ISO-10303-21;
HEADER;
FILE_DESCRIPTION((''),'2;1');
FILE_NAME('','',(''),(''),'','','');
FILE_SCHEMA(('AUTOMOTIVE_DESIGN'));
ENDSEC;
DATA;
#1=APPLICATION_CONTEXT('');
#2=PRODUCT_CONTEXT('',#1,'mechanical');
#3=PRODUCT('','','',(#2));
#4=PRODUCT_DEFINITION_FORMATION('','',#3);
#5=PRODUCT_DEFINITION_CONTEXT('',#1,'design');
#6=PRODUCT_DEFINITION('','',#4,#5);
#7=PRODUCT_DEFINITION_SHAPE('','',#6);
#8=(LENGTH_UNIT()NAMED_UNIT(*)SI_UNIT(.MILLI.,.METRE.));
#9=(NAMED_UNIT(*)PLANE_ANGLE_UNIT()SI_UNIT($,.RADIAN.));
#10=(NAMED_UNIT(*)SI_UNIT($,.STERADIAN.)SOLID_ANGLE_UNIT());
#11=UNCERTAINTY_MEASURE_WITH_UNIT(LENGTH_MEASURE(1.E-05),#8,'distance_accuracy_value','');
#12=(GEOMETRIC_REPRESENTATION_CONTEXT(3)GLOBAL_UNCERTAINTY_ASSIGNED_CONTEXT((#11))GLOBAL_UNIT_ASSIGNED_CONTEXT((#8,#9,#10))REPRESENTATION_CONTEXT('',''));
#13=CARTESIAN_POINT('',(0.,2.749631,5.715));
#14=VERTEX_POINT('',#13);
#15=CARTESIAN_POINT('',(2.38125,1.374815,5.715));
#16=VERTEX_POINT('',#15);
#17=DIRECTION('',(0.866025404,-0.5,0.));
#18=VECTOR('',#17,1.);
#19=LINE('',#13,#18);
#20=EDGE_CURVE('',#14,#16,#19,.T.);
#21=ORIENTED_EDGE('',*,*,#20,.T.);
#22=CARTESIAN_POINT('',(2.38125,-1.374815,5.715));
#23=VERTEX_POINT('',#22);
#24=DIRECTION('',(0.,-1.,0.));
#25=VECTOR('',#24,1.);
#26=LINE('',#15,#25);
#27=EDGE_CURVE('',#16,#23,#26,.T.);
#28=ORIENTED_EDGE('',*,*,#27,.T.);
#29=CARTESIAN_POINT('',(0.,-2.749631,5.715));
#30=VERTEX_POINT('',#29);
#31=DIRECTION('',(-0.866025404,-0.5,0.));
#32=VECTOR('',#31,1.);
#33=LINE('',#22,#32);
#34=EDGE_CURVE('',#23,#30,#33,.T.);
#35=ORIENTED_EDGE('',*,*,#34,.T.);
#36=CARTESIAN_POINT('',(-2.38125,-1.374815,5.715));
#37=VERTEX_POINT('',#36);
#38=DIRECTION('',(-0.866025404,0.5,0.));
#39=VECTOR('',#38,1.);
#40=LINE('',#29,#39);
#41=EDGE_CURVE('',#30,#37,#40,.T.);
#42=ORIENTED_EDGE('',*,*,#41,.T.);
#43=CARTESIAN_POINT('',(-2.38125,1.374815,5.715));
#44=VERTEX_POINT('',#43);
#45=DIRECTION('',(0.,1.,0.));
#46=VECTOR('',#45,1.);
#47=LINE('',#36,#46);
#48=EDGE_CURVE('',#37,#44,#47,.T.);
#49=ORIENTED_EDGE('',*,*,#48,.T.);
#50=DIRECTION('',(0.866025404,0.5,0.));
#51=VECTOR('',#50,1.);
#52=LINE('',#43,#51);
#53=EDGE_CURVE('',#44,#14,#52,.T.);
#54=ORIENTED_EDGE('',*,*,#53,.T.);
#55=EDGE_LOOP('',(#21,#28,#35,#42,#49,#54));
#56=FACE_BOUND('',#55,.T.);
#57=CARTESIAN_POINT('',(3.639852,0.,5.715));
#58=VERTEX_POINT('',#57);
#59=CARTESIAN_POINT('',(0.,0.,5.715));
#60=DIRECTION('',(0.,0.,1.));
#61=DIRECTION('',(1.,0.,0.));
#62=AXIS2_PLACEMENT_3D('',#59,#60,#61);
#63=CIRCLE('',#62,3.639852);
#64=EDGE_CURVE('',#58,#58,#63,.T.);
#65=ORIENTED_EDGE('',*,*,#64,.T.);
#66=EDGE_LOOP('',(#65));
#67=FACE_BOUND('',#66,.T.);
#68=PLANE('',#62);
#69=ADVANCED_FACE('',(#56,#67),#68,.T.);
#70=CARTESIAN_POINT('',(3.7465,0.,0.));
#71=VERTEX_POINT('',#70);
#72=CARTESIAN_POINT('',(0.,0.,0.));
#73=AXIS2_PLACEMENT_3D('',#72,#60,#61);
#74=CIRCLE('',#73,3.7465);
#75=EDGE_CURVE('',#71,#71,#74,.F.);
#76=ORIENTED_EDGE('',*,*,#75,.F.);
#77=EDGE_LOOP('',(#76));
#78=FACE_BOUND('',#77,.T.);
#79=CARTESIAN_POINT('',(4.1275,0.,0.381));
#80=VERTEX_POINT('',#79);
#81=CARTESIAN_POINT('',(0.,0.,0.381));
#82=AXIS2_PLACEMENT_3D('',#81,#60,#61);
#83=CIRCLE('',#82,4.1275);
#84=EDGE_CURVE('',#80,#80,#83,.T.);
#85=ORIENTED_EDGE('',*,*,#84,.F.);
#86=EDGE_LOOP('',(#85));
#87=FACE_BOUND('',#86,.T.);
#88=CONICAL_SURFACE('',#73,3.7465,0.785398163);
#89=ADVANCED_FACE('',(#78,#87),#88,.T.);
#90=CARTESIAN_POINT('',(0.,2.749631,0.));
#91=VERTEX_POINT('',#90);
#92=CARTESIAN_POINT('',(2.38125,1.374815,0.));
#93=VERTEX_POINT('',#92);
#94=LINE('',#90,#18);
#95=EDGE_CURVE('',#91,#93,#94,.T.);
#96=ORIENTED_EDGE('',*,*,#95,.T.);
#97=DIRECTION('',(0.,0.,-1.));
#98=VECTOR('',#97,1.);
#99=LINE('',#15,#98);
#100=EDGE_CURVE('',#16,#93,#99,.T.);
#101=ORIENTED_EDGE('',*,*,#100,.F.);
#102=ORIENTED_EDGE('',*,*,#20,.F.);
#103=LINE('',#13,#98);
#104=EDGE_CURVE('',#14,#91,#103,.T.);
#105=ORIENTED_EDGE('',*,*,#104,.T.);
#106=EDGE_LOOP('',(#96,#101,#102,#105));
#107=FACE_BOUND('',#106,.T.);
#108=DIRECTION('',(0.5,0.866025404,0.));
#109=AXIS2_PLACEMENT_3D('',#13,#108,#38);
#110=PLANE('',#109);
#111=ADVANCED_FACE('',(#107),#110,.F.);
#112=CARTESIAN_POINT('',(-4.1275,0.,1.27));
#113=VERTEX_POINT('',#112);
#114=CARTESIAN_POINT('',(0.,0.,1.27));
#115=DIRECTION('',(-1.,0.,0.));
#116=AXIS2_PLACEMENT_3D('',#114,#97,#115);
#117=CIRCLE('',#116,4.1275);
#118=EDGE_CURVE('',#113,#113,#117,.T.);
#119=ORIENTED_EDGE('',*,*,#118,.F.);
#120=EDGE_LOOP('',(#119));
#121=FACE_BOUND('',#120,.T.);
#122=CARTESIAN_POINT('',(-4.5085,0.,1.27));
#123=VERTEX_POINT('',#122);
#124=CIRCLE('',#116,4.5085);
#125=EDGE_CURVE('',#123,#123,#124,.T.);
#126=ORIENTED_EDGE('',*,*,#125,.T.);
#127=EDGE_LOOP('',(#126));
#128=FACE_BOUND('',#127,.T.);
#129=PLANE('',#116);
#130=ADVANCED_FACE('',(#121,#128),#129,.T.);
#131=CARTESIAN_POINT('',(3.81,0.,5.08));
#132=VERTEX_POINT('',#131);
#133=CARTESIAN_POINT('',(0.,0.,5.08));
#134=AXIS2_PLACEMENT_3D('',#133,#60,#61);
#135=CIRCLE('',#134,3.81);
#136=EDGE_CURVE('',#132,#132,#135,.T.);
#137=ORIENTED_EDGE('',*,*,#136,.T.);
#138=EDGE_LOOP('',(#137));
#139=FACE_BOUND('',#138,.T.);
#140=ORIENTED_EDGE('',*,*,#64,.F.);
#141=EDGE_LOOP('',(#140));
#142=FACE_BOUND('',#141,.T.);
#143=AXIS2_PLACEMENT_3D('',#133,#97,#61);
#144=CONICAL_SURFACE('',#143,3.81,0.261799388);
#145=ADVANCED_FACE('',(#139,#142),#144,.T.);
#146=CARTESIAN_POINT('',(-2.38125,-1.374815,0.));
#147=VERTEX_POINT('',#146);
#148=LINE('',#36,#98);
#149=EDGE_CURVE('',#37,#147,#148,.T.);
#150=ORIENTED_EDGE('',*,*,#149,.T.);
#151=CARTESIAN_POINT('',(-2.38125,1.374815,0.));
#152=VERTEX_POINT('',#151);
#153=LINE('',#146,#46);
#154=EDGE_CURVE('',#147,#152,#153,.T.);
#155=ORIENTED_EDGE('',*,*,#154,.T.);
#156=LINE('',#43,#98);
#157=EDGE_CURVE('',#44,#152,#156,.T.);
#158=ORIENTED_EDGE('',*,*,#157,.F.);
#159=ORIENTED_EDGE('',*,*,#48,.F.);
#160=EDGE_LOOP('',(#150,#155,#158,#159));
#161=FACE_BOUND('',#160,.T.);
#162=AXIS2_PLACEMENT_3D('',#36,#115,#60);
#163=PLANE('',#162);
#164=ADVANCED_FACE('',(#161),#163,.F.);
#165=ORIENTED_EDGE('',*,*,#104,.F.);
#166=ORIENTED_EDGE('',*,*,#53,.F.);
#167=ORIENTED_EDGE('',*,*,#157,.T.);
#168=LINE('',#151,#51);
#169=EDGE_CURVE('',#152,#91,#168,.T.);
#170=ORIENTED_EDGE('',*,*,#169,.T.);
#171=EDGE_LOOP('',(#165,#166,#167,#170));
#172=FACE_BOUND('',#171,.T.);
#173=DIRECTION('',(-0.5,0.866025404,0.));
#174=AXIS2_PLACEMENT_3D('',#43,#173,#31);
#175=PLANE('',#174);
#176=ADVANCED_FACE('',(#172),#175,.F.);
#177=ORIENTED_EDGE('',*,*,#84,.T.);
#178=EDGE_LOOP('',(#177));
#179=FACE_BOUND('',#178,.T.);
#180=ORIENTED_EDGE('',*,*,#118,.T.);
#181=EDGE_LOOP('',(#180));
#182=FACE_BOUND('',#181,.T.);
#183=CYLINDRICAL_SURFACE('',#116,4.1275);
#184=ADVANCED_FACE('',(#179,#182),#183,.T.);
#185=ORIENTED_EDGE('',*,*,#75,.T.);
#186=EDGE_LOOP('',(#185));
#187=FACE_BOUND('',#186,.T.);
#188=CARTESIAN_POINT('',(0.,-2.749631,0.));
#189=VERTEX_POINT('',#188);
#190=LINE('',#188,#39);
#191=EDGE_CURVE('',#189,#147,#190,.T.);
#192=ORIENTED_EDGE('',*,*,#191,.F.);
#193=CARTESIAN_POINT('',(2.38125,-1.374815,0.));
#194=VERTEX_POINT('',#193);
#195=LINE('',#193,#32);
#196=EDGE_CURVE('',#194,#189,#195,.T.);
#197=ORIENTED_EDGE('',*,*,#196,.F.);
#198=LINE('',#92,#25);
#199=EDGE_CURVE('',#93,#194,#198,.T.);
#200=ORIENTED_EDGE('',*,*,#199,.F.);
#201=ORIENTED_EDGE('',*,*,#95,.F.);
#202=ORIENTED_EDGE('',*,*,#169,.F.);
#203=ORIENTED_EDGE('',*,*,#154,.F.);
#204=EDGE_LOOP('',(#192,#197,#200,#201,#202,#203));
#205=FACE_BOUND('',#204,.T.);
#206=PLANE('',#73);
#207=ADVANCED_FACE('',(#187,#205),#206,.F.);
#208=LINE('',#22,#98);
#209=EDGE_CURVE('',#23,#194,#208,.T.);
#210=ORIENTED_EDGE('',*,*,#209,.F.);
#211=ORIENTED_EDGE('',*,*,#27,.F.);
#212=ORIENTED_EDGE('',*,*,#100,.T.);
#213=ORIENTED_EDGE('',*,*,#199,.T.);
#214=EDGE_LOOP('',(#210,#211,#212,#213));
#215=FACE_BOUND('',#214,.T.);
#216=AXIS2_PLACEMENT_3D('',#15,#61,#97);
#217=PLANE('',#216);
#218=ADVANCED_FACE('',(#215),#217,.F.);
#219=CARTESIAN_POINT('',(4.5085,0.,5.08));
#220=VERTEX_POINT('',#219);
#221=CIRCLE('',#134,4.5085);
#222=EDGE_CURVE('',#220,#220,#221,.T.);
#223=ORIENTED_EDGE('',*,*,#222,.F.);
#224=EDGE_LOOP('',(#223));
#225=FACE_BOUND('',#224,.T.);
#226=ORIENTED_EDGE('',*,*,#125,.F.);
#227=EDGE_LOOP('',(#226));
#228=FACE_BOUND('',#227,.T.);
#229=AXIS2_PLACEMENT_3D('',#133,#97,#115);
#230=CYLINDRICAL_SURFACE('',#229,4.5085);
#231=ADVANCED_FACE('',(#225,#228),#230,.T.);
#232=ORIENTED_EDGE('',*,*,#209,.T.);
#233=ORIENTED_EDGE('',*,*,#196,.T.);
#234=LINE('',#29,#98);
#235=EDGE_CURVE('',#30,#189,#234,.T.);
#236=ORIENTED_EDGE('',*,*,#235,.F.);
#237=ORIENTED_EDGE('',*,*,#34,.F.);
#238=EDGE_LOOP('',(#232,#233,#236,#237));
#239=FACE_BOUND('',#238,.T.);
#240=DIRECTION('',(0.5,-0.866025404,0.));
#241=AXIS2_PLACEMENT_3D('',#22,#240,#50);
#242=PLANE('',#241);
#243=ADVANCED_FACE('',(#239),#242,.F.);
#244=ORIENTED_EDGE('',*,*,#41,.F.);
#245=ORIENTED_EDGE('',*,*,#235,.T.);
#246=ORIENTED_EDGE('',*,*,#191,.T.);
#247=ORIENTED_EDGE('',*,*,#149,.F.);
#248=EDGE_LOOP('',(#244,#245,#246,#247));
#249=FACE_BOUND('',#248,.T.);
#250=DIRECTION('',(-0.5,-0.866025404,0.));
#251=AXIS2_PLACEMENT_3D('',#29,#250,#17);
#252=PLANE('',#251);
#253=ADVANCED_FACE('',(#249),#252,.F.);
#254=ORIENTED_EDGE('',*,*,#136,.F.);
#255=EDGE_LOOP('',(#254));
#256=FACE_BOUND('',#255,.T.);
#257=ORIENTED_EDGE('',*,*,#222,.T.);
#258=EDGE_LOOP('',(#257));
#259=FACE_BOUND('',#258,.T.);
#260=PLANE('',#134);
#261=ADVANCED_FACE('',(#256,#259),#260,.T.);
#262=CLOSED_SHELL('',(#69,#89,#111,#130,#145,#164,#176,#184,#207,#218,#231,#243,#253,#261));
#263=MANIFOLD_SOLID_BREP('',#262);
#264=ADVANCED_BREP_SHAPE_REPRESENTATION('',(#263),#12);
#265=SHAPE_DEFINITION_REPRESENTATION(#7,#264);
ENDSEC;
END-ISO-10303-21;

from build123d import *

# Parameters (mm, degrees)
SKETCH1_R           = 4.5085
BOSS_EXTRUDE1_DEPTH = 5.08
SKETCH2_R           = 3.81
BOSS_EXTRUDE2_DEPTH = 0.635
BOSS_EXTRUDE2_TAPER = 15
SKETCH3_R           = 4.5085
SKETCH3_R_2         = 4.1275
CUT_EXTRUDE1_DEPTH  = 1.27
CHAMFER1_SIZE       = 0.381
CUT_EXTRUDE2_DEPTH  = 9.562381065


with BuildPart() as part:
    # Sketch1 → Boss-Extrude1 (new body)
    with BuildSketch(Plane.XY):
        Circle(SKETCH1_R)
    extrude(amount=BOSS_EXTRUDE1_DEPTH)

    # Sketch2 → Boss-Extrude2 (add)
    with BuildSketch(Plane.XY.offset(5.08)):
        Circle(SKETCH2_R)
    extrude(amount=BOSS_EXTRUDE2_DEPTH, taper=BOSS_EXTRUDE2_TAPER)

    # Sketch3 → Cut-Extrude1 (cut)
    with BuildSketch(Plane(origin=(0, 0, 0), x_dir=(-1, 0, 0), z_dir=(0, 0, -1))):
        Circle(SKETCH3_R)
        Circle(SKETCH3_R_2, mode=Mode.SUBTRACT)
    extrude(amount=-CUT_EXTRUDE1_DEPTH, mode=Mode.SUBTRACT)

    # Chamfer1
    chamfer1_edges = [part.edges().sort_by_distance(p)[0] for p in [
        (4.1275, 0, 0),
    ]]
    chamfer(chamfer1_edges, length=CHAMFER1_SIZE)

    # Sketch4 → Cut-Extrude2 (cut, through all)
    with BuildSketch(Plane(origin=(0, 0, 0), x_dir=(-1, 0, 0), z_dir=(0, 0, -1))):
        Polygon((0, 2.749630657), (-2.38125, 1.374815329), (-2.38125, -1.374815329), (0, -2.749630657), (2.38125, -1.374815329), (2.38125, 1.374815329), align=None)
    extrude(amount=-CUT_EXTRUDE2_DEPTH, mode=Mode.SUBTRACT)


solid = part.part
